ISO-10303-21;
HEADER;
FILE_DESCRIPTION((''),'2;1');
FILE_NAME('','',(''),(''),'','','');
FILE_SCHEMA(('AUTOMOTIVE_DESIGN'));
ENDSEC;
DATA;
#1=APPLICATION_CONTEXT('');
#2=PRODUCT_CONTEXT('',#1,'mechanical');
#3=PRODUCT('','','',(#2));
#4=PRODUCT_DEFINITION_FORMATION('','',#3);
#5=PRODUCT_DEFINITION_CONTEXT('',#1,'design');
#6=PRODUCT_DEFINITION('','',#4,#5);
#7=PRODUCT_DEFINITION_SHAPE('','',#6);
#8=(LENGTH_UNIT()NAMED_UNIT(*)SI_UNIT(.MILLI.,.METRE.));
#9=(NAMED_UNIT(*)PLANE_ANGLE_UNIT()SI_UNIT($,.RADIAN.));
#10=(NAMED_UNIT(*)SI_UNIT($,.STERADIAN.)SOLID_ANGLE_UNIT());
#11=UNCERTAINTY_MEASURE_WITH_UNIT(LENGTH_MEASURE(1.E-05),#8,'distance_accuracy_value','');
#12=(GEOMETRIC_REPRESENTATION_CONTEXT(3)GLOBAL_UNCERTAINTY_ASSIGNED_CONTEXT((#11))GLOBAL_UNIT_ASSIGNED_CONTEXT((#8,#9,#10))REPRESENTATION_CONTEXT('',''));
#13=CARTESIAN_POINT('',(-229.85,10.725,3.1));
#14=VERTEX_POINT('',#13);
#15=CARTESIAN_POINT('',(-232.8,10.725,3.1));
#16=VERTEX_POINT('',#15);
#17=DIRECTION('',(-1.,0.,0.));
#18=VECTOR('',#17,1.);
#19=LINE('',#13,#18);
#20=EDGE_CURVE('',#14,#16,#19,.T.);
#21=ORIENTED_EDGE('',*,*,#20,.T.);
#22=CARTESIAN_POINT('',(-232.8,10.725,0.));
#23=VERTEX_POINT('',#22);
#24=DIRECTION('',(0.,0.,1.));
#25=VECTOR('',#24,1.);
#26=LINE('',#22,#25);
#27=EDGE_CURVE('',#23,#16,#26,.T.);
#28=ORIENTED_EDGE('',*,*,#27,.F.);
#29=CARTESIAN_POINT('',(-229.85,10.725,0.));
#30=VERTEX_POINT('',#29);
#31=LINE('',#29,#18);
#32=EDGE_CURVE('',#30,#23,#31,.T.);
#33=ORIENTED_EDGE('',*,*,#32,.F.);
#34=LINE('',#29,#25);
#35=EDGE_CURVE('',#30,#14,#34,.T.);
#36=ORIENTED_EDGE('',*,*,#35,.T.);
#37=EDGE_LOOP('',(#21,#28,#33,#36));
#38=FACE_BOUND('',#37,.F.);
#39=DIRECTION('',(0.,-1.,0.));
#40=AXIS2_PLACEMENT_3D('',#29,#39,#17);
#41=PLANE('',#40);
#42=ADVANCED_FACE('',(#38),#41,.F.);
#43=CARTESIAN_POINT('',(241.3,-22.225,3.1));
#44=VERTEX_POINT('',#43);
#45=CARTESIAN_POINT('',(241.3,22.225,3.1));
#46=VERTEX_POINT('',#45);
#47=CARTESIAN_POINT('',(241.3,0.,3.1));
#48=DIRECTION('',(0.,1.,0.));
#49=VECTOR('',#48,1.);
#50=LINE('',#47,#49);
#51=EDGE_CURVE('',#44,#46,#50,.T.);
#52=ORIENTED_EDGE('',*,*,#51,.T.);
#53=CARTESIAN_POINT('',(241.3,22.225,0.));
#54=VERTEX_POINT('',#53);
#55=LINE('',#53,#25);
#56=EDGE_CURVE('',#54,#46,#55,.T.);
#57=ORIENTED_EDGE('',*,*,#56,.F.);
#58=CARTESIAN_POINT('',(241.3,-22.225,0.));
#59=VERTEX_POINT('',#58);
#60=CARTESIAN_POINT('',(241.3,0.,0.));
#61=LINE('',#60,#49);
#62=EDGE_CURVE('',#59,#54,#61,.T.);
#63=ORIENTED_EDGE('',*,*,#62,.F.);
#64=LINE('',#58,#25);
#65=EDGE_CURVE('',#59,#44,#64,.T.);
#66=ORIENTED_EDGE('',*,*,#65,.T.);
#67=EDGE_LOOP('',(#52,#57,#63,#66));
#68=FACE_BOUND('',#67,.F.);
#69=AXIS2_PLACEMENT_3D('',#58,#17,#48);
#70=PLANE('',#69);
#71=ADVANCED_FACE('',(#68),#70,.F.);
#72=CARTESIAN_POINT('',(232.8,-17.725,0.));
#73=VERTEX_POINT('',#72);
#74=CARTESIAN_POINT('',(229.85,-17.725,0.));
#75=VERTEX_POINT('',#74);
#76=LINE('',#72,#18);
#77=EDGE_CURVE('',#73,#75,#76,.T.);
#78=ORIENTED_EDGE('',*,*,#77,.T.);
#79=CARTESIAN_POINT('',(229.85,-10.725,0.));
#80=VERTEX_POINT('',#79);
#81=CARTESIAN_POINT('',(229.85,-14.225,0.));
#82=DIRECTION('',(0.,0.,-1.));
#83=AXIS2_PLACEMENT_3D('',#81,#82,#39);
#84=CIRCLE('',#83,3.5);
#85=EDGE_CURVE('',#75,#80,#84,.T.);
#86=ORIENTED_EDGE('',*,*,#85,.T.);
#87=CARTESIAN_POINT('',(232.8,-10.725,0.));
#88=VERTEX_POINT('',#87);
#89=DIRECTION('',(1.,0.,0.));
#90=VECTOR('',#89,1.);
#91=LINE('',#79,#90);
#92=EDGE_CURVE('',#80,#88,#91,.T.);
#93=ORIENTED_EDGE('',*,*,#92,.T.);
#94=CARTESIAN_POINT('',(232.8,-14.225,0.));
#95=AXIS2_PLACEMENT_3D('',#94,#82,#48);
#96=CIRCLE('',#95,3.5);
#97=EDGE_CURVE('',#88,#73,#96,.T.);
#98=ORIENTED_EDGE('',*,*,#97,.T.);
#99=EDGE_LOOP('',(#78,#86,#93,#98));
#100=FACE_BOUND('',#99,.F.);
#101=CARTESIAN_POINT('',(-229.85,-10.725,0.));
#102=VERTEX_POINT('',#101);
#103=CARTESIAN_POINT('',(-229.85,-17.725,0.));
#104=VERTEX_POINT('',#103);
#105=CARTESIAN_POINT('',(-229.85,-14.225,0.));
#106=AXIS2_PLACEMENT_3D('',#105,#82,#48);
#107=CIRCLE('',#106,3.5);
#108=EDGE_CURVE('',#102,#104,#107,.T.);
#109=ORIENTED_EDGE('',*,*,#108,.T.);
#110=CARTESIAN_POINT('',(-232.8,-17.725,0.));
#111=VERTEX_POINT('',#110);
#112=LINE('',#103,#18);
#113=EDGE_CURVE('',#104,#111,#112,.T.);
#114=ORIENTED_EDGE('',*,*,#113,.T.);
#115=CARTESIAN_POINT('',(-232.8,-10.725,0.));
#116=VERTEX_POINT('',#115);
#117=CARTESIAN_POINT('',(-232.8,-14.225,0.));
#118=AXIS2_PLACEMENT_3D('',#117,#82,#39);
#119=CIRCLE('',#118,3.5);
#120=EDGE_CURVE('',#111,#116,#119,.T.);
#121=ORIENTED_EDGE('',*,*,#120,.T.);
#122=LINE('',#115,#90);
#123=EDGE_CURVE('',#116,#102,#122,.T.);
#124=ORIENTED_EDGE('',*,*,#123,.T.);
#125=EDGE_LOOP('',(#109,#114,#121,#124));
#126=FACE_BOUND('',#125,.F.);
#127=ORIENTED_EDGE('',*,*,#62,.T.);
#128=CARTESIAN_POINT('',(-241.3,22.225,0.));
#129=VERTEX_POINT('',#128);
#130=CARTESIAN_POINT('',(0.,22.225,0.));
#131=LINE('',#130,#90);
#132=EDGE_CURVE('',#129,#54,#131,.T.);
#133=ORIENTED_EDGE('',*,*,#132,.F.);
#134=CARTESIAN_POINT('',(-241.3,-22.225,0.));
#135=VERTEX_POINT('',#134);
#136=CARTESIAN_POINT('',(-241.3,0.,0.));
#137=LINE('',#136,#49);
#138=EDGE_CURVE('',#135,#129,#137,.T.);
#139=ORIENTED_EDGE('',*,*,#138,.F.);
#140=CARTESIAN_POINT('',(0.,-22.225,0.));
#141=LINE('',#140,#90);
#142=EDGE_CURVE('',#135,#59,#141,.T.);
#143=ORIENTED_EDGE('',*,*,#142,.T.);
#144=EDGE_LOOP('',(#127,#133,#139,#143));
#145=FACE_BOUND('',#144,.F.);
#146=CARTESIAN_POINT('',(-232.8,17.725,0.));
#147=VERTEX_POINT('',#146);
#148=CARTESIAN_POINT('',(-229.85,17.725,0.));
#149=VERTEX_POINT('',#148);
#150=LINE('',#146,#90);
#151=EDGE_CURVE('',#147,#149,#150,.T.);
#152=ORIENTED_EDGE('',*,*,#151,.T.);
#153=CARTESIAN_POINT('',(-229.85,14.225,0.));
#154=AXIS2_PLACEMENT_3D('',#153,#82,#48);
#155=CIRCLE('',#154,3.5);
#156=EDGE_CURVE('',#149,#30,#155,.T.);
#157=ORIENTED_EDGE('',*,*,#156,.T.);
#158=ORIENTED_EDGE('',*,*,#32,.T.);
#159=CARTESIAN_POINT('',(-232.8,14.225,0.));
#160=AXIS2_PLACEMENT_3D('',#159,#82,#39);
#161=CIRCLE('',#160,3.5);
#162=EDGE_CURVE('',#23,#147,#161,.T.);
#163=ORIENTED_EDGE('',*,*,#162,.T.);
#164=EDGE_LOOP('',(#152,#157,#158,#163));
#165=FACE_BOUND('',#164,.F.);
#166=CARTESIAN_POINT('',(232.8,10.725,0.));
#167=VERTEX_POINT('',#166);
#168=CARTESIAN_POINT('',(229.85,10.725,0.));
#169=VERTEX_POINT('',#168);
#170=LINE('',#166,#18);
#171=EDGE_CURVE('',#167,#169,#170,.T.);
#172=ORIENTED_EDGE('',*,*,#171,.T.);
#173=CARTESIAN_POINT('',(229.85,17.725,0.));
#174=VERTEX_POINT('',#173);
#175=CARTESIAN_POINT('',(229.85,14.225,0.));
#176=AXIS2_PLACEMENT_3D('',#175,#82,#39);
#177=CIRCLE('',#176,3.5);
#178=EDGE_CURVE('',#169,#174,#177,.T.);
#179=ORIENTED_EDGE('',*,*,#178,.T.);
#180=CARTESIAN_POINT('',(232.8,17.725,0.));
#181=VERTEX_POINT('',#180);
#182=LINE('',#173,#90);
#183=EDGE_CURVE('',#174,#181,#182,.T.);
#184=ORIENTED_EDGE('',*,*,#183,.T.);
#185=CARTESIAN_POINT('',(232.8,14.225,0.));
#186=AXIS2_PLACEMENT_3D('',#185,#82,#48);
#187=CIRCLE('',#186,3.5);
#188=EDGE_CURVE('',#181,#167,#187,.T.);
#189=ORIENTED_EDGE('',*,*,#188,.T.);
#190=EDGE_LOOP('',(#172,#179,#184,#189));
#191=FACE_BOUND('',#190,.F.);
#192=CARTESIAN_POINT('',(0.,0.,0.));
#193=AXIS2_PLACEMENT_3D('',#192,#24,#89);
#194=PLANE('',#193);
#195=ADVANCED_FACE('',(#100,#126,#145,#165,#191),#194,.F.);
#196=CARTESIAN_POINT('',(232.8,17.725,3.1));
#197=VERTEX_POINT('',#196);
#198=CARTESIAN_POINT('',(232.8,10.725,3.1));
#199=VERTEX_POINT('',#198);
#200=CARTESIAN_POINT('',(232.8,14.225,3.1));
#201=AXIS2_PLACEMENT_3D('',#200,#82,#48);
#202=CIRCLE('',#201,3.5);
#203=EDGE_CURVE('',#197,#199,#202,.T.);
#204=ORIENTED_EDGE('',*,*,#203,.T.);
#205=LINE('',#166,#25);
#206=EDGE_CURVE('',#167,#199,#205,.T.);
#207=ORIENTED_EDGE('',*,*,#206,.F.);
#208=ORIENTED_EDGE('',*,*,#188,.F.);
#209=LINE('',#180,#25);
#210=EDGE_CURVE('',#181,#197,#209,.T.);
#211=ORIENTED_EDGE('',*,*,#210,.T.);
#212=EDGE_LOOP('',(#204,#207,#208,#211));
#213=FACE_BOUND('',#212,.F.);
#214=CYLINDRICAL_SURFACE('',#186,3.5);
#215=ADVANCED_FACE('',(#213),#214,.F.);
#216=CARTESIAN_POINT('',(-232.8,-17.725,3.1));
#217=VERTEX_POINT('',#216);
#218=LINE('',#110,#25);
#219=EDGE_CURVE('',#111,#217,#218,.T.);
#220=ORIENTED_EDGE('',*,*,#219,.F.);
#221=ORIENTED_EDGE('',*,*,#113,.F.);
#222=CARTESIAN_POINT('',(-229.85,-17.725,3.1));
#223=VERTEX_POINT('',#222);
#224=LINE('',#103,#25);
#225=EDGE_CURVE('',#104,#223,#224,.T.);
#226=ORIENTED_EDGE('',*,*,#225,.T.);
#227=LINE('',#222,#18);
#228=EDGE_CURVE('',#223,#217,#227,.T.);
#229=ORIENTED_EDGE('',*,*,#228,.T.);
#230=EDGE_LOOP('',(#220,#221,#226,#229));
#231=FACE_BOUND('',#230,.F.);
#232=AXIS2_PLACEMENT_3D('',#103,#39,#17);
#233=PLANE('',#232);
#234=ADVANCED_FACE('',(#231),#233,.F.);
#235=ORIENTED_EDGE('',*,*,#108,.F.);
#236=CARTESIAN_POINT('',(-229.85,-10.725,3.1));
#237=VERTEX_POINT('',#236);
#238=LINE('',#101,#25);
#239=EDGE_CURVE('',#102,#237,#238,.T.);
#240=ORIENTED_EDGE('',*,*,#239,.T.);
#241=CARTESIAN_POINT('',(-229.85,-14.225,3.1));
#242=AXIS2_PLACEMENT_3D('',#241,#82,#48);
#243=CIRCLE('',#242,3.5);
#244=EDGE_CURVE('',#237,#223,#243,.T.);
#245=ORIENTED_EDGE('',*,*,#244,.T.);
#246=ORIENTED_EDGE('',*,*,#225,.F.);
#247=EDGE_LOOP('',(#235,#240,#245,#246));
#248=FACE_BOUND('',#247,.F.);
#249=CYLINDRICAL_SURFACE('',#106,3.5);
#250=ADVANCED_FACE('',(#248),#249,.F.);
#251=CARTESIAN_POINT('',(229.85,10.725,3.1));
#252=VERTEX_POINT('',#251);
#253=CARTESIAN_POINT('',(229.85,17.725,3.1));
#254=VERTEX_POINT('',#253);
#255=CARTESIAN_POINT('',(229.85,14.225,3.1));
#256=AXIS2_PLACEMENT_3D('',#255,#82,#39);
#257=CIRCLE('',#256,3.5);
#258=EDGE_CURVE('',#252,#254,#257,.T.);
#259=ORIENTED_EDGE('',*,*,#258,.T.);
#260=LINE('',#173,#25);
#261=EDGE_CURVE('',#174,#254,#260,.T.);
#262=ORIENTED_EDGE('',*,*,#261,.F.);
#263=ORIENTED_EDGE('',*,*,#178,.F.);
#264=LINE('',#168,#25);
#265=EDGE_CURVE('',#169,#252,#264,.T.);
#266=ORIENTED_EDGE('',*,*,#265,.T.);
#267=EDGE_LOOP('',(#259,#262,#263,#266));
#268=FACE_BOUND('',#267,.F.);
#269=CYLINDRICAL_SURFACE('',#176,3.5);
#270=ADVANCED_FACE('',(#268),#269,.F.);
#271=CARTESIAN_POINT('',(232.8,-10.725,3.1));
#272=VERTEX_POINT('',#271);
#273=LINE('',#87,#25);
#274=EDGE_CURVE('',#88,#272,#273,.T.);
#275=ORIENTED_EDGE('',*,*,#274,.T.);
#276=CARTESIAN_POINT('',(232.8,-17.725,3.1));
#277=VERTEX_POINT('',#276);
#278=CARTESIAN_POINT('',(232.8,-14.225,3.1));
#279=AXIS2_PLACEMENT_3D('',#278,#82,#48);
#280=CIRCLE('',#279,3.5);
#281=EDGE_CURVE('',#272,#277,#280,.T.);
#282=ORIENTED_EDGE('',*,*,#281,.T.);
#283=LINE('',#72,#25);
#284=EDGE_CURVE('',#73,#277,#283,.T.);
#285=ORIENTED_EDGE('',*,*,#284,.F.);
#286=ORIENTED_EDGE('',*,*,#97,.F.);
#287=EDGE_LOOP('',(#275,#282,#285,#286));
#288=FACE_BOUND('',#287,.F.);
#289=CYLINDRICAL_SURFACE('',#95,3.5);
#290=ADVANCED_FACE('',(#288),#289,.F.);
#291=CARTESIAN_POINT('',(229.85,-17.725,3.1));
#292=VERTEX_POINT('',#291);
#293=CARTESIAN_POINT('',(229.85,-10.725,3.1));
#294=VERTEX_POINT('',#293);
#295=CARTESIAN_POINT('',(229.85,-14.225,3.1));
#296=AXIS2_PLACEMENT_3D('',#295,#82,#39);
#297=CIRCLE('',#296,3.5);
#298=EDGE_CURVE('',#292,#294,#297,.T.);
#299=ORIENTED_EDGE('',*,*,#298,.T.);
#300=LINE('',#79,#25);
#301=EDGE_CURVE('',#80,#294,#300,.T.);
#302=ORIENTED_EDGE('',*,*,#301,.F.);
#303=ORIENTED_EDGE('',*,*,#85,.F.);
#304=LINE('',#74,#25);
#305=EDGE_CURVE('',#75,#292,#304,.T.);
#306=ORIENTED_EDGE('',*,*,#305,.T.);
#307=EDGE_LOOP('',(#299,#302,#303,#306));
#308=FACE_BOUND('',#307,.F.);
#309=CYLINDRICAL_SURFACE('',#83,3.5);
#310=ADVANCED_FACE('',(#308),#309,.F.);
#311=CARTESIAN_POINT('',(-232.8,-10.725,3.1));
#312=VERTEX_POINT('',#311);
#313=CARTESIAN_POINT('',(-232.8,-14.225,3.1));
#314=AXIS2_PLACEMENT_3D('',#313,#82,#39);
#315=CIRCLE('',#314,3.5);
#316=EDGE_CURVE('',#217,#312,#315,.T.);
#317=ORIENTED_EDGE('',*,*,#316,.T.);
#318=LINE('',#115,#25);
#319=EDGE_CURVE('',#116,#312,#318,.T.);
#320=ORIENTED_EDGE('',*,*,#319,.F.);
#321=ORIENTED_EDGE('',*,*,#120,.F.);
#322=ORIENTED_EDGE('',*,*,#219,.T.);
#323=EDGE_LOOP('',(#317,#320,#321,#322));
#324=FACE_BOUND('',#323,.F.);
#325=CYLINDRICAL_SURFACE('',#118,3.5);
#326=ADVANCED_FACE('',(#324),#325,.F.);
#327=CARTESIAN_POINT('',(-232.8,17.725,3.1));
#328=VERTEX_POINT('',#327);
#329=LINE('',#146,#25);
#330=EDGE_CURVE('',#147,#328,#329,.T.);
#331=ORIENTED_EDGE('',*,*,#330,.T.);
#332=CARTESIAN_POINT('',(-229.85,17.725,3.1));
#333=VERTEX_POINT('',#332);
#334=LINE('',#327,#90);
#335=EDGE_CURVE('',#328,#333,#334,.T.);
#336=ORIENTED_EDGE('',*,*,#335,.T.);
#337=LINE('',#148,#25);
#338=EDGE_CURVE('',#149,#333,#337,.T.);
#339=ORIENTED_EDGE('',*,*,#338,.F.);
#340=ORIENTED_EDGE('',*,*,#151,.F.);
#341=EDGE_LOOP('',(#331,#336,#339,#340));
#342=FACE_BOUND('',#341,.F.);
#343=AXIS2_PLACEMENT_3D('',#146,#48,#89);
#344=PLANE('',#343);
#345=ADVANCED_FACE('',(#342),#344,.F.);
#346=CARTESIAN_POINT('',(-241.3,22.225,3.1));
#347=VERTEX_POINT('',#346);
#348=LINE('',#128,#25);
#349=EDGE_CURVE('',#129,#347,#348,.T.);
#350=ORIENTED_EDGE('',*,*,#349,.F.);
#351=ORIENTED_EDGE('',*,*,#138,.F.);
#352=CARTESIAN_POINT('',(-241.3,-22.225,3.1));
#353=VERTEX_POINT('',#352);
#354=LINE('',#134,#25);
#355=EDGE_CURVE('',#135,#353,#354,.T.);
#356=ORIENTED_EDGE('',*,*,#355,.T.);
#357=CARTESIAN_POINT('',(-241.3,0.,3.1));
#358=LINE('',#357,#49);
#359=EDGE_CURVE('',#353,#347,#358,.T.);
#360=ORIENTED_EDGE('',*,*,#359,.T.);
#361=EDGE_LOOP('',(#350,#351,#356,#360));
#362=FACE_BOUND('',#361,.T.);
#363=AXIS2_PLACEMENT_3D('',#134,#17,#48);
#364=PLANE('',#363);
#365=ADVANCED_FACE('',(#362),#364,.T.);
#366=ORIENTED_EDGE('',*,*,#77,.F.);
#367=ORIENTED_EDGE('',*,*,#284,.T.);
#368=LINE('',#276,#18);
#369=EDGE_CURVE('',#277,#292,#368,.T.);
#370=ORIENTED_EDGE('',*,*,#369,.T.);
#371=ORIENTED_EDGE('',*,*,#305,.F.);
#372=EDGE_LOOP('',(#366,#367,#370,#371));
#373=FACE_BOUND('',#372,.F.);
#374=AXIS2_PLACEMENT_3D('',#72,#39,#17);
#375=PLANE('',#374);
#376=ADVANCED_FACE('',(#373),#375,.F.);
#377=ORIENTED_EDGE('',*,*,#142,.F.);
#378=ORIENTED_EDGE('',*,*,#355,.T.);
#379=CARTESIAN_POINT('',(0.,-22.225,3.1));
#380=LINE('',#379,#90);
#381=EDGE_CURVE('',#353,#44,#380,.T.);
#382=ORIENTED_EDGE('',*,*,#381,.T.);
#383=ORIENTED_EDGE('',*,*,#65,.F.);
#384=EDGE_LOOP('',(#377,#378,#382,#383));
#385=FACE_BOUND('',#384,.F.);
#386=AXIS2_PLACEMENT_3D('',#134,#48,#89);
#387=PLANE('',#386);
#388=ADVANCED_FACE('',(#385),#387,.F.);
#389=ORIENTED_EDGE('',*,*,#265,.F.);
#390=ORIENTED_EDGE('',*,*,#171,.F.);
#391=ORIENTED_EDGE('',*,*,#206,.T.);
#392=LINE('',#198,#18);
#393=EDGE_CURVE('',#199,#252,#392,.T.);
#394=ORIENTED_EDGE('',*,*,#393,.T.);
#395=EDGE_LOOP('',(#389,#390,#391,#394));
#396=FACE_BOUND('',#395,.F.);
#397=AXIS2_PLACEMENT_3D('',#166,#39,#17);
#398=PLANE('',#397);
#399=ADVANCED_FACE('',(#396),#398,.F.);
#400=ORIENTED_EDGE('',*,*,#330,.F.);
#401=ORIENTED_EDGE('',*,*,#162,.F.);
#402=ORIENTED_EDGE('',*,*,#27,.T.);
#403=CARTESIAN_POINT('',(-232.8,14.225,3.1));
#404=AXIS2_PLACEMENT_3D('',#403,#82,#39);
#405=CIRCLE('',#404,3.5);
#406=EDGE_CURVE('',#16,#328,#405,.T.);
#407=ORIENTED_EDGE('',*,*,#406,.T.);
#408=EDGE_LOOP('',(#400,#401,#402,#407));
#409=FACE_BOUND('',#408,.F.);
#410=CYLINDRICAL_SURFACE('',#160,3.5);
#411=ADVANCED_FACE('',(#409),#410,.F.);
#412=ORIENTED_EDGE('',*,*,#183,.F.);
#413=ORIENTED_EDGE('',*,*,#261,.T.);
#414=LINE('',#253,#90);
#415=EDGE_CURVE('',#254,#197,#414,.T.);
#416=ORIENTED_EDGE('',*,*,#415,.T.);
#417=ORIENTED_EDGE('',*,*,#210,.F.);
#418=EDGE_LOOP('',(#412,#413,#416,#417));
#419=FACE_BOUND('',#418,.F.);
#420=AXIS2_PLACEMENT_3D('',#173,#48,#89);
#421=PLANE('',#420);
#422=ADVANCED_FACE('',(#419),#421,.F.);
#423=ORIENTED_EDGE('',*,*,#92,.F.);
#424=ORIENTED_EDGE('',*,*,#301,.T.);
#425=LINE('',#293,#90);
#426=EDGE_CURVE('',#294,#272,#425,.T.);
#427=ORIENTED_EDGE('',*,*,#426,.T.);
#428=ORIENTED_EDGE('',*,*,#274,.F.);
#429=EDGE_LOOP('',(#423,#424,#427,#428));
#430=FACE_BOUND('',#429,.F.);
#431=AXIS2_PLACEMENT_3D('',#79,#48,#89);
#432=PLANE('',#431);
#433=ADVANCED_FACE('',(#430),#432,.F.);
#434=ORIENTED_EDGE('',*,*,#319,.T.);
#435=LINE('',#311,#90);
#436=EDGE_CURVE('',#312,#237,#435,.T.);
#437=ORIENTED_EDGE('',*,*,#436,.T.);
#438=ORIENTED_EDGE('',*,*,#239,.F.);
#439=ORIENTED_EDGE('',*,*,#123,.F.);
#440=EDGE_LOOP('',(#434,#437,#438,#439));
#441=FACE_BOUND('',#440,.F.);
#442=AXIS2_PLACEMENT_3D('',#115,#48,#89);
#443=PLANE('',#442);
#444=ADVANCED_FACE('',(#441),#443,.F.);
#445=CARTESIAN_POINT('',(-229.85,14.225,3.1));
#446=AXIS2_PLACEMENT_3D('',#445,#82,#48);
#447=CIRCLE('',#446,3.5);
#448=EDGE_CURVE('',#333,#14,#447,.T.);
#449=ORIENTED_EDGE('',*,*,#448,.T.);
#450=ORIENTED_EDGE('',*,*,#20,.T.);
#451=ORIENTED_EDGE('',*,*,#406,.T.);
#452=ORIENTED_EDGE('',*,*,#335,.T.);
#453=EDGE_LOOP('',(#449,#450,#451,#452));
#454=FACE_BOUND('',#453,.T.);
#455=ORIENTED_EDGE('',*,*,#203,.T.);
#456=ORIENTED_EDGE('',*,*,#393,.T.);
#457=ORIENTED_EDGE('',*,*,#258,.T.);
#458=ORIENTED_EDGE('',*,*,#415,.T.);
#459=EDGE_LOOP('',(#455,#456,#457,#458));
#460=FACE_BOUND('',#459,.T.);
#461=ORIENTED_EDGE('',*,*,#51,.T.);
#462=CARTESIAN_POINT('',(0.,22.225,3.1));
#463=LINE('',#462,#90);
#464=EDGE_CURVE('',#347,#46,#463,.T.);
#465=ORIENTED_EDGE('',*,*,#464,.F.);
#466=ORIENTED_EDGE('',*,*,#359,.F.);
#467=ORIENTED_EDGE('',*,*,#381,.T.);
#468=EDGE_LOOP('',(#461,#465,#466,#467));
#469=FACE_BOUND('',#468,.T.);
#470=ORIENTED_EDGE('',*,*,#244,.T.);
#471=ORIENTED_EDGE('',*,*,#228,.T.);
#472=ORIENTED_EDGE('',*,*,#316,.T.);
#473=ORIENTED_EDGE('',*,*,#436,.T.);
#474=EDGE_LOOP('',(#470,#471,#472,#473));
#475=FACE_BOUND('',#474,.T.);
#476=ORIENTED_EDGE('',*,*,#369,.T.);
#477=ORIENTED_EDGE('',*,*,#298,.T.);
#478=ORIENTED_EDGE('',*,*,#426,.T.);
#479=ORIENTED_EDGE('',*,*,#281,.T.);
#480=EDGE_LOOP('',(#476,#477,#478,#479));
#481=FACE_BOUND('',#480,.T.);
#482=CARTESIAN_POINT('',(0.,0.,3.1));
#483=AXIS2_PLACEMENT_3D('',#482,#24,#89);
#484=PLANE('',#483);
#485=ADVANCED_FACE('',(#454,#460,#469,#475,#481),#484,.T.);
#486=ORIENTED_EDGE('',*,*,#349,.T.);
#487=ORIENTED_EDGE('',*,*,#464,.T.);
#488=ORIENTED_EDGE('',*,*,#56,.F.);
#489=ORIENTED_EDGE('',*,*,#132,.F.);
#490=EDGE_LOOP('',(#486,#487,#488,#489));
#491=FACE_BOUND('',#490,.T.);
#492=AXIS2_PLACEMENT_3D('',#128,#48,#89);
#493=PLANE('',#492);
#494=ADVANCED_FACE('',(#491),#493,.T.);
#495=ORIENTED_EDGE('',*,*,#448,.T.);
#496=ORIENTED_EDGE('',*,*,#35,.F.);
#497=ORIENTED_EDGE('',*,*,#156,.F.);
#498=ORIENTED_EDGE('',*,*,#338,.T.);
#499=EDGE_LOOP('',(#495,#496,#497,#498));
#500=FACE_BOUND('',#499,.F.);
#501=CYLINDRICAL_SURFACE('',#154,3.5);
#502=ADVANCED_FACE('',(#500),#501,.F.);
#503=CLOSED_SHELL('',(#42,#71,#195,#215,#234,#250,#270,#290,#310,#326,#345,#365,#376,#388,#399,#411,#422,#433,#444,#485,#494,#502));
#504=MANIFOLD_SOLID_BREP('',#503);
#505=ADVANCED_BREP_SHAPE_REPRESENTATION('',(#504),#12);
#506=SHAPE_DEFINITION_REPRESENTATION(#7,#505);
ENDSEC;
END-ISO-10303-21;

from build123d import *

# Parameters (mm, degrees)
F0_W     = 482.6
F0_H     = 44.45
F1_DEPTH = 3.1


with BuildPart() as f1:
    # F0 (on Top) → F1 (new body)
    with BuildSketch(Plane.XY):
        Rectangle(F0_W, F0_H)
        with BuildLine():
            ThreePointArc((-232.8, -17.725), (-236.3, -14.225), (-232.8, -10.725))
            Line((-232.8, -10.725), (-229.85, -10.725))
            ThreePointArc((-229.85, -10.725), (-226.35, -14.225), (-229.85, -17.725))
            Line((-229.85, -17.725), (-232.8, -17.725))
        make_face(mode=Mode.SUBTRACT)
        with BuildLine():
            ThreePointArc((229.85, -17.725), (226.35, -14.225), (229.85, -10.725))
            Line((229.85, -10.725), (232.8, -10.725))
            ThreePointArc((232.8, -10.725), (236.3, -14.225), (232.8, -17.725))
            Line((232.8, -17.725), (229.85, -17.725))
        make_face(mode=Mode.SUBTRACT)
        with BuildLine():
            ThreePointArc((-232.8, 10.725), (-236.3, 14.225), (-232.8, 17.725))
            Line((-232.8, 17.725), (-229.85, 17.725))
            ThreePointArc((-229.85, 17.725), (-226.35, 14.225), (-229.85, 10.725))
            Line((-229.85, 10.725), (-232.8, 10.725))
        make_face(mode=Mode.SUBTRACT)
        with BuildLine():
            ThreePointArc((229.85, 10.725), (226.35, 14.225), (229.85, 17.725))
            Line((229.85, 17.725), (232.8, 17.725))
            ThreePointArc((232.8, 17.725), (236.3, 14.225), (232.8, 10.725))
            Line((232.8, 10.725), (229.85, 10.725))
        make_face(mode=Mode.SUBTRACT)
    extrude(amount=F1_DEPTH)


solid = f1.part
